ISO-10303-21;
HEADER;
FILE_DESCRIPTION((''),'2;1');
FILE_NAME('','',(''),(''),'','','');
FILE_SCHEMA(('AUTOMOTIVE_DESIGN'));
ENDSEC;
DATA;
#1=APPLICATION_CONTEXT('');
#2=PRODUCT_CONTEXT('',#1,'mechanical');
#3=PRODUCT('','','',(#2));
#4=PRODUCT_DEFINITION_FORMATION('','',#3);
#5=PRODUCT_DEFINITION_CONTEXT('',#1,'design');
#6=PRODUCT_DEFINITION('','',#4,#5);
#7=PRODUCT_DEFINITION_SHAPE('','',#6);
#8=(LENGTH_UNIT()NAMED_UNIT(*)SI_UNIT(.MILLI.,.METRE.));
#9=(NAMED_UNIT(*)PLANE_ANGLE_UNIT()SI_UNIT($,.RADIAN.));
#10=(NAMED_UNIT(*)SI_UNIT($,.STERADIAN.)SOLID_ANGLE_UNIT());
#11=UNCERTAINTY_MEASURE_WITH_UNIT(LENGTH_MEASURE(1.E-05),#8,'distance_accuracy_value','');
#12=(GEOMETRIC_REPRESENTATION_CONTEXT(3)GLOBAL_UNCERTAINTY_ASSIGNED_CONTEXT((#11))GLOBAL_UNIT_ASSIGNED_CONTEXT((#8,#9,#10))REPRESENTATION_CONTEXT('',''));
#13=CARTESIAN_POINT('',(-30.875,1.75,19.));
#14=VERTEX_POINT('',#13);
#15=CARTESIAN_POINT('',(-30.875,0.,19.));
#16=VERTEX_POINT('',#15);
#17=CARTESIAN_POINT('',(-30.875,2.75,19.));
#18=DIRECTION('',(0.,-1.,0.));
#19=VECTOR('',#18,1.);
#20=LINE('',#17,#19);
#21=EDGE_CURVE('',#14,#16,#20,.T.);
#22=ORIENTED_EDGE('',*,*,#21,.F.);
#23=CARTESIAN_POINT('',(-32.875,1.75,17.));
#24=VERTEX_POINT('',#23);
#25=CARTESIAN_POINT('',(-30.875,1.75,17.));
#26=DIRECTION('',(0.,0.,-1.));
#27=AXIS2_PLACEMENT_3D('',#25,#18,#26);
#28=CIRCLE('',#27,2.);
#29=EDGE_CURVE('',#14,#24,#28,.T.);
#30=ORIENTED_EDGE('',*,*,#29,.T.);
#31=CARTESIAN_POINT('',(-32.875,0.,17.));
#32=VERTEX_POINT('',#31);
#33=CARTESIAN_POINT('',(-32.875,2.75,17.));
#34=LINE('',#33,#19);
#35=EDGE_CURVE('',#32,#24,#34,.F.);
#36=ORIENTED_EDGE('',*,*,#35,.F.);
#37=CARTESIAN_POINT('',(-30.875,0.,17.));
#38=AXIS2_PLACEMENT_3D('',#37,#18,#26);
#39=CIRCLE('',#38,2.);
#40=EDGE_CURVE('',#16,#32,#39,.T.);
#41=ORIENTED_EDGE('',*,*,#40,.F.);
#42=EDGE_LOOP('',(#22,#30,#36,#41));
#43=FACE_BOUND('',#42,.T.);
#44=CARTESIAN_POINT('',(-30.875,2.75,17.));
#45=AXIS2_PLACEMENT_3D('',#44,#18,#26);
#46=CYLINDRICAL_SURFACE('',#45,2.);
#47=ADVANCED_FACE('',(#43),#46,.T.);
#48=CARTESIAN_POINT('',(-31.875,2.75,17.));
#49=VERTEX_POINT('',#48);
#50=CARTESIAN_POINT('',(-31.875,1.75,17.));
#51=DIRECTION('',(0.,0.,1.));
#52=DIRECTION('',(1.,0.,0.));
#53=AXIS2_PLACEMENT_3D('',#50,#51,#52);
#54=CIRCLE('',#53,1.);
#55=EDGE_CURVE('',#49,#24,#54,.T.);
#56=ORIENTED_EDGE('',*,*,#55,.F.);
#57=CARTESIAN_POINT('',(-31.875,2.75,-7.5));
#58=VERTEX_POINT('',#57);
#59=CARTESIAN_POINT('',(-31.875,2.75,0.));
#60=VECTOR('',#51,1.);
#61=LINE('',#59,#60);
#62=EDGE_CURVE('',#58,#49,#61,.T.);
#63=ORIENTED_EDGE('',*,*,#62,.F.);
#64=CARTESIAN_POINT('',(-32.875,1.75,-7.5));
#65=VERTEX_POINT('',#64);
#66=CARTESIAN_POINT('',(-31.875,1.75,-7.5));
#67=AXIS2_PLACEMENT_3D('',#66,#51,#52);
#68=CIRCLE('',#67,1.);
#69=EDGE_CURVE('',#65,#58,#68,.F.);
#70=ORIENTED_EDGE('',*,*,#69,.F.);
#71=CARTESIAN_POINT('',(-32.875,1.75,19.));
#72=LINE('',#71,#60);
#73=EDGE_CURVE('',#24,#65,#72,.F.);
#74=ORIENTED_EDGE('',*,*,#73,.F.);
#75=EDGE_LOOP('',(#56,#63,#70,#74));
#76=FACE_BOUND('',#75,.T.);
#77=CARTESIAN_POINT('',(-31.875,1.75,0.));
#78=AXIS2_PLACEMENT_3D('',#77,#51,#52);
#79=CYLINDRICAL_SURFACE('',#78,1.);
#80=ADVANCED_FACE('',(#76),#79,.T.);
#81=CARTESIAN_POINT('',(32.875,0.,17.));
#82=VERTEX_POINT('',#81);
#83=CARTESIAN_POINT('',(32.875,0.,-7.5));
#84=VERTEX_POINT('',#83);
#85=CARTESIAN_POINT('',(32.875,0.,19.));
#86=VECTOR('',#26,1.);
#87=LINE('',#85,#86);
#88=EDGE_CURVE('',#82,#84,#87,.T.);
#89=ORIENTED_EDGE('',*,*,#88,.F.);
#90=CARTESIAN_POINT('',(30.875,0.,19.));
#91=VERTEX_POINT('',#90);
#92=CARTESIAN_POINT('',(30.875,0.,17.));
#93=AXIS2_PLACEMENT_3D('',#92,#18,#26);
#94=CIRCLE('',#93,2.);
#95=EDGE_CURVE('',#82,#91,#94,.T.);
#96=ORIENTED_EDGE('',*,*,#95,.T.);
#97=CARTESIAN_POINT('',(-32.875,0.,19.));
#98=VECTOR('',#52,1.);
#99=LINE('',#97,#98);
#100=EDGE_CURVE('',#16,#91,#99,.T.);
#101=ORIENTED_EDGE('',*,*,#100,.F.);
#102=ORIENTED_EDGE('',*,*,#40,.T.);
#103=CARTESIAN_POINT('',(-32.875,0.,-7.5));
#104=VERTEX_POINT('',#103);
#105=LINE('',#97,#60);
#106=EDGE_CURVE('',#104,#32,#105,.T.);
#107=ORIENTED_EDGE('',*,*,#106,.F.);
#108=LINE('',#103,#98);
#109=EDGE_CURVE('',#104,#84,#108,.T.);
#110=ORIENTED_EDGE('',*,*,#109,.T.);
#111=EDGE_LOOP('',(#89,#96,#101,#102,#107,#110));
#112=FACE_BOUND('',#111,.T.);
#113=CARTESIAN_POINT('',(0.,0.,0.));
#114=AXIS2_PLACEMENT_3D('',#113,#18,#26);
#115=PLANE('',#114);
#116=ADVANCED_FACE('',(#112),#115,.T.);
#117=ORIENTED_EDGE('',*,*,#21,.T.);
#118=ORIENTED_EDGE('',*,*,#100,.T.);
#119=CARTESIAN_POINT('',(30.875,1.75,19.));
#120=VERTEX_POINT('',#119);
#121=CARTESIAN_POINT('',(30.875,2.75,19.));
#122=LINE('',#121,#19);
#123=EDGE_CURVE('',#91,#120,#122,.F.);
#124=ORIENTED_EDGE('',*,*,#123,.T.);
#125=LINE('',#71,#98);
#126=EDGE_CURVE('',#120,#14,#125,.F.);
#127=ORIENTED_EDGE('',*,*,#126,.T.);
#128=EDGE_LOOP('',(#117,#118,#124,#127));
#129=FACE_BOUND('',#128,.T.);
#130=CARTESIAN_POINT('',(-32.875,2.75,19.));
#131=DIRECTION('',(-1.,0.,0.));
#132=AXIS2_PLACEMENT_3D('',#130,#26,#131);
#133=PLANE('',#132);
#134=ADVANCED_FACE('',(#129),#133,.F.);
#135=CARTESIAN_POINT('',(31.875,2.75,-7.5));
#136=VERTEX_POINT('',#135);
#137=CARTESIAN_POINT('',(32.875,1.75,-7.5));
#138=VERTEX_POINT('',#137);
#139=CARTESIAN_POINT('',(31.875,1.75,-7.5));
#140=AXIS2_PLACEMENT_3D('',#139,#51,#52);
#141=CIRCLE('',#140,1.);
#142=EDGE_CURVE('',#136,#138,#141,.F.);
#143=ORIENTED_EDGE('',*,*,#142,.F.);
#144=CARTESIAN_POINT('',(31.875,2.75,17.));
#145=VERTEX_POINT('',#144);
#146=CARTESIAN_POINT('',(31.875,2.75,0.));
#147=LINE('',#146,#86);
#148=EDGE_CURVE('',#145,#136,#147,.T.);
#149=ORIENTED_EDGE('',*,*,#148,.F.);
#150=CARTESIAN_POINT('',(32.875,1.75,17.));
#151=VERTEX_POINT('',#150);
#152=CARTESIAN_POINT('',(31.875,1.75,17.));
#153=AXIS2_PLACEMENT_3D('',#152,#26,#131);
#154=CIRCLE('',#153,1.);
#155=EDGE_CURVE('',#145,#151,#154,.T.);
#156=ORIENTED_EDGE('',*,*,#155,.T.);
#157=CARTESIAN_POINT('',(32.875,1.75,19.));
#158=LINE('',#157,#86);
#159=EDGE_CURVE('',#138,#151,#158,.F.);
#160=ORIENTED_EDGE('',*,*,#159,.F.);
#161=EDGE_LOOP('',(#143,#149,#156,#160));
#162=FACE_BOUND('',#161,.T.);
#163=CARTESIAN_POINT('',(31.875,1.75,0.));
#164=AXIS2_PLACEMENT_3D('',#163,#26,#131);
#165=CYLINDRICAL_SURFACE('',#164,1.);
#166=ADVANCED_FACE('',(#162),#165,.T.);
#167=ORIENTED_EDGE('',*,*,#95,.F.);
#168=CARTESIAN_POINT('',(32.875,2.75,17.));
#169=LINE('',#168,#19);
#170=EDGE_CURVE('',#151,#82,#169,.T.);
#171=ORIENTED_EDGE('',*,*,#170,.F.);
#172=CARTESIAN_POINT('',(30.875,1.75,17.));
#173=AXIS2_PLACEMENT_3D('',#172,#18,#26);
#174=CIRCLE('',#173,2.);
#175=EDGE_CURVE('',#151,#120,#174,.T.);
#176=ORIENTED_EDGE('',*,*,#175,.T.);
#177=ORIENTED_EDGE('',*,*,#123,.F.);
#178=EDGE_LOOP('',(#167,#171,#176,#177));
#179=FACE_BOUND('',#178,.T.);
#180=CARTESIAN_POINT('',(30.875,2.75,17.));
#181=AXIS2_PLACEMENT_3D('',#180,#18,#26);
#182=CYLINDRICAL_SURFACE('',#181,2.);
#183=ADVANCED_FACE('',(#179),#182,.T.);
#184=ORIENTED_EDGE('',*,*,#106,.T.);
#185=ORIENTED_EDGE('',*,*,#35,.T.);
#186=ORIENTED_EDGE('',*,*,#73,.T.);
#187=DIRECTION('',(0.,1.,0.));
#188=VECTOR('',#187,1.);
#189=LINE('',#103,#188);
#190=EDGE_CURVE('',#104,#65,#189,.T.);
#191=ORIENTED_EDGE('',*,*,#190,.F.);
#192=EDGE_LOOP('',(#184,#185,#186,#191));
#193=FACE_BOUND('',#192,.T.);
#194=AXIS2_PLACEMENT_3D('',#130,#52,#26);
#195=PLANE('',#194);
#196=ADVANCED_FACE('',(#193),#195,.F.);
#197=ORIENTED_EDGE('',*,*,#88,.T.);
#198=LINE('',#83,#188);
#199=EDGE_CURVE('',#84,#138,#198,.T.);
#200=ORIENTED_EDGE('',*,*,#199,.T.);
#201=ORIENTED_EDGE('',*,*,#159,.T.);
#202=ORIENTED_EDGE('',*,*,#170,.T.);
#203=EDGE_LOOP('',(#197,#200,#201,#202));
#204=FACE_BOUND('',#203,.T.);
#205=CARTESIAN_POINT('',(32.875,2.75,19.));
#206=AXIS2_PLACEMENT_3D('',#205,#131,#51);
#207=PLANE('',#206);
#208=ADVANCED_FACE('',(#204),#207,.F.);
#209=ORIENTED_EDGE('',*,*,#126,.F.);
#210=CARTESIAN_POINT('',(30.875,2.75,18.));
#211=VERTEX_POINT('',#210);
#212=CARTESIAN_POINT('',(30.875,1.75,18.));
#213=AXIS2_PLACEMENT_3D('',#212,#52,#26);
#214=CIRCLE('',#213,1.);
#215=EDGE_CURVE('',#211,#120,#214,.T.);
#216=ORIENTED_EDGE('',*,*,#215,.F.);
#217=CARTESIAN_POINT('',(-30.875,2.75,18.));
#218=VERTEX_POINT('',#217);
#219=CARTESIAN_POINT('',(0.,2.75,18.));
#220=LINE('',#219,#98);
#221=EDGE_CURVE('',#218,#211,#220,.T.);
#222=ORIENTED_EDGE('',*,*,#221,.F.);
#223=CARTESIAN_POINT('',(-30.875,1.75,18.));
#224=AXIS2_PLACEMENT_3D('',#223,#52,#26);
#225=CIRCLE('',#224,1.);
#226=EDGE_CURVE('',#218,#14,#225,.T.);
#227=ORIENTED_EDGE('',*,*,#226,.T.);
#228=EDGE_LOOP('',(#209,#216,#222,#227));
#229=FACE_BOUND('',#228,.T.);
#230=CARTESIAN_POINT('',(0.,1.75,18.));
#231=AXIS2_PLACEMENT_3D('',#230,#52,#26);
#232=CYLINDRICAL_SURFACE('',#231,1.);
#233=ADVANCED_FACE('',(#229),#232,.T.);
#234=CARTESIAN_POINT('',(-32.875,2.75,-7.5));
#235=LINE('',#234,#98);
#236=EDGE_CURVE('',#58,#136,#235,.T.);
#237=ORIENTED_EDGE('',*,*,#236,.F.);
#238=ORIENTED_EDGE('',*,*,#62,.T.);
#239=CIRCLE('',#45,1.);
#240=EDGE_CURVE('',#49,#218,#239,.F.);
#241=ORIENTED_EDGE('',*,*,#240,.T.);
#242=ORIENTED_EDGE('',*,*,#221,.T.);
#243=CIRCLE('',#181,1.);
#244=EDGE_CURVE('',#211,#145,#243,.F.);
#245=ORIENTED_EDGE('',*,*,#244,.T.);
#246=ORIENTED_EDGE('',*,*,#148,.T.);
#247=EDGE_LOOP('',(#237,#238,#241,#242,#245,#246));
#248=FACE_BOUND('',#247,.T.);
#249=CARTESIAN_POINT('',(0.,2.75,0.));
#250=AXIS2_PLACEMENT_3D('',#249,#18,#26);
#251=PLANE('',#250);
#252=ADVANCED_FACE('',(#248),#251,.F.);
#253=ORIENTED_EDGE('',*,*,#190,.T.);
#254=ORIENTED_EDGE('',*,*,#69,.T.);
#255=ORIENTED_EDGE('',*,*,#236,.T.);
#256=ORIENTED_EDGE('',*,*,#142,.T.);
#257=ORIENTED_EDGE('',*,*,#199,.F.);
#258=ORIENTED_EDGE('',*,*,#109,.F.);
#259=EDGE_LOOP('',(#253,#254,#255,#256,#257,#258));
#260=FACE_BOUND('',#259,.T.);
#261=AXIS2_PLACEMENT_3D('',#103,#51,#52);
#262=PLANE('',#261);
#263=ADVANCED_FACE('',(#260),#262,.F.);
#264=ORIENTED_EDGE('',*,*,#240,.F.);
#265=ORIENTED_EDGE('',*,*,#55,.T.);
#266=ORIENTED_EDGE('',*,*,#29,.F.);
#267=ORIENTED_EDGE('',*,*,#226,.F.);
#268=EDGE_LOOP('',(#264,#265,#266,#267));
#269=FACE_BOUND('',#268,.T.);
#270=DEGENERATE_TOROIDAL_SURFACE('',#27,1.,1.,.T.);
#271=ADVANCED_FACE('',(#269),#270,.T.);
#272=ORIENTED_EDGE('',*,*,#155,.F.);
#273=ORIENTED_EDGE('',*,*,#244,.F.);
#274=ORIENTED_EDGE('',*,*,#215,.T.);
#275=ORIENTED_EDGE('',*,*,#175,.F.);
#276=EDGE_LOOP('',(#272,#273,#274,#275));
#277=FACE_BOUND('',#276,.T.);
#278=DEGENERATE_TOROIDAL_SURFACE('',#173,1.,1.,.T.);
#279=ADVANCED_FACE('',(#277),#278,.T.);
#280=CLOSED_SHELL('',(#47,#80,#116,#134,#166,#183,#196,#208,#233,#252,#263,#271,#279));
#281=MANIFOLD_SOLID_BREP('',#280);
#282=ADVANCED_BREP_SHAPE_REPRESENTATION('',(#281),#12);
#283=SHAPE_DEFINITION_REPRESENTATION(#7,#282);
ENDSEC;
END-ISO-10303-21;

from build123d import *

# Parameters (mm, degrees)
SKETCH1_W           = 65.75
SKETCH1_H           = 38
BOSS_EXTRUDE1_DEPTH = 2.75
SKETCH3_W           = 65.75
SKETCH3_H           = 11.5
CUT_EXTRUDE1_DEPTH  = 39.070042356
FILLET1_R           = 2
FILLET2_R           = 1


with BuildPart() as part:
    # Sketch1 → Boss-Extrude1 (new body)
    with BuildSketch(Plane(origin=(0, 0, 0), x_dir=(1, 0, 0), z_dir=(0, 1, 0))):
        Rectangle(SKETCH1_W, SKETCH1_H)
    extrude(amount=BOSS_EXTRUDE1_DEPTH)

    # Sketch3 → Cut-Extrude1 (cut, through all)
    with BuildSketch(Plane(origin=(0, 2.75, 0), x_dir=(1, 0, 0), z_dir=(0, 1, 0))):
        with Locations((0, 13.25)):
            Rectangle(SKETCH3_W, SKETCH3_H)
    extrude(amount=-CUT_EXTRUDE1_DEPTH, mode=Mode.SUBTRACT)

    # Fillet1
    fillet1_edges = [part.edges().sort_by_distance(p)[0] for p in [
        (32.875, 1.375, 19),
        (-32.875, 1.375, 19),
    ]]
    fillet(fillet1_edges, radius=FILLET1_R)

    # Fillet2
    fillet2_edges = [part.edges().sort_by_distance(p)[0] for p in [
        (-32.875, 2.75, 4.75),
        (0, 2.75, 19),
        (32.875, 2.75, 4.75),
        (32.289213562, 2.75, 18.414213562),
        (-32.289213562, 2.75, 18.414213562),
    ]]
    fillet(fillet2_edges, radius=FILLET2_R)


solid = part.part
